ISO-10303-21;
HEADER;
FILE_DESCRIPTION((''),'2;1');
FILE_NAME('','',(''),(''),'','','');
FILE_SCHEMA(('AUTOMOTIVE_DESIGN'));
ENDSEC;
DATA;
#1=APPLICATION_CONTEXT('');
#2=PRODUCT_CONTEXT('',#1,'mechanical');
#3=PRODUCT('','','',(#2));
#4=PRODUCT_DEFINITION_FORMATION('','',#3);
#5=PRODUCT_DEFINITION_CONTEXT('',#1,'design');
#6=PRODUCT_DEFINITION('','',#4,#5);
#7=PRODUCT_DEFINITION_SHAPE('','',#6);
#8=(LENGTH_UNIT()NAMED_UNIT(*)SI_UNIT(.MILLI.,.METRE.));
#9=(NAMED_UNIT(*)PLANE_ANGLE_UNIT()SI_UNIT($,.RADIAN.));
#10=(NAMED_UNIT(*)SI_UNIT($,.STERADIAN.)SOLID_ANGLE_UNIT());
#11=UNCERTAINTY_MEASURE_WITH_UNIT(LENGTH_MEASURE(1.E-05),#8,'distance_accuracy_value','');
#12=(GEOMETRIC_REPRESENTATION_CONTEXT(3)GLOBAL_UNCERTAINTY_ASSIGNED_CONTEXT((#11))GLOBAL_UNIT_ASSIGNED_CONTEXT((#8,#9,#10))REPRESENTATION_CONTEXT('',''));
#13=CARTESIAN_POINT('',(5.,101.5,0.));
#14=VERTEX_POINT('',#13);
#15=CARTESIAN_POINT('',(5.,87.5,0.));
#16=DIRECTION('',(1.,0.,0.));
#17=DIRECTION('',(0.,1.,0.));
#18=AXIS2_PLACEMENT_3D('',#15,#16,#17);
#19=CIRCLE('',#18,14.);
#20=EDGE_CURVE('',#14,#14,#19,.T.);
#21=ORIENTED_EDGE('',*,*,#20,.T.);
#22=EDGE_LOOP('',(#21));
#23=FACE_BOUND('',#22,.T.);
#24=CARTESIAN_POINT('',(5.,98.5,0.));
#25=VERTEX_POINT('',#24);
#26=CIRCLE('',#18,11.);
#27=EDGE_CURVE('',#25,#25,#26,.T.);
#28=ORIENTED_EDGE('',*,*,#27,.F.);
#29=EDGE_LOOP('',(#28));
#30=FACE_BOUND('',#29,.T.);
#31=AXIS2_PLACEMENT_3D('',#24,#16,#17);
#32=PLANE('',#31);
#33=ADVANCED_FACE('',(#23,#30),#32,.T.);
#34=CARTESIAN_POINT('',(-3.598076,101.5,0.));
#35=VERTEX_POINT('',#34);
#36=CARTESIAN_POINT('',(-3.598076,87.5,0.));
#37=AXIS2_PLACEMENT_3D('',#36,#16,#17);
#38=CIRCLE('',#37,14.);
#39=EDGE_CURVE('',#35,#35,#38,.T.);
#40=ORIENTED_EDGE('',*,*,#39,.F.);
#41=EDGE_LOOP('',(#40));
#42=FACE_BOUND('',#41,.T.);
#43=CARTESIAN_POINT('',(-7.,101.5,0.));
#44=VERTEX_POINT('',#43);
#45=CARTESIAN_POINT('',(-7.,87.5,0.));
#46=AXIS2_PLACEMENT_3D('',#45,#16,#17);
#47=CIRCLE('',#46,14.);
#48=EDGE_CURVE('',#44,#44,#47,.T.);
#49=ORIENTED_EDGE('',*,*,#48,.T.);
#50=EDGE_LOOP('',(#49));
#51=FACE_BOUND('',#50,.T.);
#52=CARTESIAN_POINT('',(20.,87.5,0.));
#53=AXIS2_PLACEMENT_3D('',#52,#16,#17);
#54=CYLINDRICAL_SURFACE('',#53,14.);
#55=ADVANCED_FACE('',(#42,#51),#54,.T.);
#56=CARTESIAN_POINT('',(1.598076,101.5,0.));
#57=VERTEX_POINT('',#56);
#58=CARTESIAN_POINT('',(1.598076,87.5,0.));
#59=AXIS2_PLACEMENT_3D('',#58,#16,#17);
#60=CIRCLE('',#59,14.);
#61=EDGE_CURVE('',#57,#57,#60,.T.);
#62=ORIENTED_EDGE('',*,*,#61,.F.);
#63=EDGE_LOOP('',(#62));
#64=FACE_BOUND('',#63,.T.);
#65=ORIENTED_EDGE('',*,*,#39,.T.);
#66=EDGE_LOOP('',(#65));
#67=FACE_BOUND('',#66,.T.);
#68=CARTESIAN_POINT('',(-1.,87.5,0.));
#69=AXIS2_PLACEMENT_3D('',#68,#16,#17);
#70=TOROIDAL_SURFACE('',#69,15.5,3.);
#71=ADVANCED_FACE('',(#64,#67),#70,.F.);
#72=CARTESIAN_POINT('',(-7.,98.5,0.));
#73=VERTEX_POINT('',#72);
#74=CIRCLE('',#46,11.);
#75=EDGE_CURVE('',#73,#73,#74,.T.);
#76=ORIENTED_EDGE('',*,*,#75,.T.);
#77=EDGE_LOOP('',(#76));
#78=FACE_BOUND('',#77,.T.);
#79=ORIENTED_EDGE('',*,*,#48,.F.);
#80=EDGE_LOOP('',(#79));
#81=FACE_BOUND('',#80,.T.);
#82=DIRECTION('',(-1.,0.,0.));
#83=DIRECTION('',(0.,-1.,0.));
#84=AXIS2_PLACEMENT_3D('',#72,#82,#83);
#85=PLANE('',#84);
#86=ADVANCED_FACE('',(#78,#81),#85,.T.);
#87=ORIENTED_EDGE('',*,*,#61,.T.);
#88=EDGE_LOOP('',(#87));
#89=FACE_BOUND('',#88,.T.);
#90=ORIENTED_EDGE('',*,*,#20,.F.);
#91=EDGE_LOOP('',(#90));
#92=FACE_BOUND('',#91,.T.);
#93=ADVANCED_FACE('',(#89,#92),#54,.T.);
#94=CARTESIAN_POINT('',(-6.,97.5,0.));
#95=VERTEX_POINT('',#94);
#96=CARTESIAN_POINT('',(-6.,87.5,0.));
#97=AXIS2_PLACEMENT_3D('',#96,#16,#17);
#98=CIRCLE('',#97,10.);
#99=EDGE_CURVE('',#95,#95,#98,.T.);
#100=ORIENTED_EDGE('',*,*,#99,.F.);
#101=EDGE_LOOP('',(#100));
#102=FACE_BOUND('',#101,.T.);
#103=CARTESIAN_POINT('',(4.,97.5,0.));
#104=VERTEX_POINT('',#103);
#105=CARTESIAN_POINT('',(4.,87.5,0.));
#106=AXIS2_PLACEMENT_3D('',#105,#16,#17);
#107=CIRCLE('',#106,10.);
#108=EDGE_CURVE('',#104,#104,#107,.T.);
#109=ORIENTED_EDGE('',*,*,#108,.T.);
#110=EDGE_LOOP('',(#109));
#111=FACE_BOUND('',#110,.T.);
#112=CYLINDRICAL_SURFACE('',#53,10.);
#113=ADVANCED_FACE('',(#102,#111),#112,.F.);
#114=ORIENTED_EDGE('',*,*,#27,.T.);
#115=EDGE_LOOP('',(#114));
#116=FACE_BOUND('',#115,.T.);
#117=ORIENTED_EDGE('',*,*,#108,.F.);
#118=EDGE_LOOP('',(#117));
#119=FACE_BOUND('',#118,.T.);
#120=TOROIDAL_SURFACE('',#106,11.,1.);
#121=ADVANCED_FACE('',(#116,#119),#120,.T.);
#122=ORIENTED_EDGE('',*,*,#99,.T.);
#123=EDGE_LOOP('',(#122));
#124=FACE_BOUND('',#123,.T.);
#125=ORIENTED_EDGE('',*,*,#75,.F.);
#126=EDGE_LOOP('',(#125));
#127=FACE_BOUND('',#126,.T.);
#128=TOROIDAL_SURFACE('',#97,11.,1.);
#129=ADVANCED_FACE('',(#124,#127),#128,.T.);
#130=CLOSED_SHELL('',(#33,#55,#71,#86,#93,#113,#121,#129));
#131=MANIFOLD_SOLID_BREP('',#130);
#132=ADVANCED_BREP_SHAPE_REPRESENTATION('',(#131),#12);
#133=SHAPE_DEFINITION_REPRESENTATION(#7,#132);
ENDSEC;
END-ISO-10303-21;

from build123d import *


with BuildPart() as part:
    # Esquisse1 → Base-Révolution (revolve)
    with BuildSketch(Plane.XY):
        with BuildLine():
            Line((-6, 97.5), (4, 97.5))
            ThreePointArc((4, 97.5), (4.707106781, 97.792893219), (5, 98.5))
            Line((5, 98.5), (5, 101.5))
            Line((5, 101.5), (1.598076211, 101.5))
            ThreePointArc((1.598076211, 101.5), (-1, 100), (-3.598076211, 101.5))
            Line((-3.598076211, 101.5), (-7, 101.5))
            Line((-7, 101.5), (-7, 98.5))
            ThreePointArc((-7, 98.5), (-6.707106781, 97.792893219), (-6, 97.5))
        make_face()
    revolve(axis=Axis((20, 87.5, 0), (-1, 0, 0)))


solid = part.part
